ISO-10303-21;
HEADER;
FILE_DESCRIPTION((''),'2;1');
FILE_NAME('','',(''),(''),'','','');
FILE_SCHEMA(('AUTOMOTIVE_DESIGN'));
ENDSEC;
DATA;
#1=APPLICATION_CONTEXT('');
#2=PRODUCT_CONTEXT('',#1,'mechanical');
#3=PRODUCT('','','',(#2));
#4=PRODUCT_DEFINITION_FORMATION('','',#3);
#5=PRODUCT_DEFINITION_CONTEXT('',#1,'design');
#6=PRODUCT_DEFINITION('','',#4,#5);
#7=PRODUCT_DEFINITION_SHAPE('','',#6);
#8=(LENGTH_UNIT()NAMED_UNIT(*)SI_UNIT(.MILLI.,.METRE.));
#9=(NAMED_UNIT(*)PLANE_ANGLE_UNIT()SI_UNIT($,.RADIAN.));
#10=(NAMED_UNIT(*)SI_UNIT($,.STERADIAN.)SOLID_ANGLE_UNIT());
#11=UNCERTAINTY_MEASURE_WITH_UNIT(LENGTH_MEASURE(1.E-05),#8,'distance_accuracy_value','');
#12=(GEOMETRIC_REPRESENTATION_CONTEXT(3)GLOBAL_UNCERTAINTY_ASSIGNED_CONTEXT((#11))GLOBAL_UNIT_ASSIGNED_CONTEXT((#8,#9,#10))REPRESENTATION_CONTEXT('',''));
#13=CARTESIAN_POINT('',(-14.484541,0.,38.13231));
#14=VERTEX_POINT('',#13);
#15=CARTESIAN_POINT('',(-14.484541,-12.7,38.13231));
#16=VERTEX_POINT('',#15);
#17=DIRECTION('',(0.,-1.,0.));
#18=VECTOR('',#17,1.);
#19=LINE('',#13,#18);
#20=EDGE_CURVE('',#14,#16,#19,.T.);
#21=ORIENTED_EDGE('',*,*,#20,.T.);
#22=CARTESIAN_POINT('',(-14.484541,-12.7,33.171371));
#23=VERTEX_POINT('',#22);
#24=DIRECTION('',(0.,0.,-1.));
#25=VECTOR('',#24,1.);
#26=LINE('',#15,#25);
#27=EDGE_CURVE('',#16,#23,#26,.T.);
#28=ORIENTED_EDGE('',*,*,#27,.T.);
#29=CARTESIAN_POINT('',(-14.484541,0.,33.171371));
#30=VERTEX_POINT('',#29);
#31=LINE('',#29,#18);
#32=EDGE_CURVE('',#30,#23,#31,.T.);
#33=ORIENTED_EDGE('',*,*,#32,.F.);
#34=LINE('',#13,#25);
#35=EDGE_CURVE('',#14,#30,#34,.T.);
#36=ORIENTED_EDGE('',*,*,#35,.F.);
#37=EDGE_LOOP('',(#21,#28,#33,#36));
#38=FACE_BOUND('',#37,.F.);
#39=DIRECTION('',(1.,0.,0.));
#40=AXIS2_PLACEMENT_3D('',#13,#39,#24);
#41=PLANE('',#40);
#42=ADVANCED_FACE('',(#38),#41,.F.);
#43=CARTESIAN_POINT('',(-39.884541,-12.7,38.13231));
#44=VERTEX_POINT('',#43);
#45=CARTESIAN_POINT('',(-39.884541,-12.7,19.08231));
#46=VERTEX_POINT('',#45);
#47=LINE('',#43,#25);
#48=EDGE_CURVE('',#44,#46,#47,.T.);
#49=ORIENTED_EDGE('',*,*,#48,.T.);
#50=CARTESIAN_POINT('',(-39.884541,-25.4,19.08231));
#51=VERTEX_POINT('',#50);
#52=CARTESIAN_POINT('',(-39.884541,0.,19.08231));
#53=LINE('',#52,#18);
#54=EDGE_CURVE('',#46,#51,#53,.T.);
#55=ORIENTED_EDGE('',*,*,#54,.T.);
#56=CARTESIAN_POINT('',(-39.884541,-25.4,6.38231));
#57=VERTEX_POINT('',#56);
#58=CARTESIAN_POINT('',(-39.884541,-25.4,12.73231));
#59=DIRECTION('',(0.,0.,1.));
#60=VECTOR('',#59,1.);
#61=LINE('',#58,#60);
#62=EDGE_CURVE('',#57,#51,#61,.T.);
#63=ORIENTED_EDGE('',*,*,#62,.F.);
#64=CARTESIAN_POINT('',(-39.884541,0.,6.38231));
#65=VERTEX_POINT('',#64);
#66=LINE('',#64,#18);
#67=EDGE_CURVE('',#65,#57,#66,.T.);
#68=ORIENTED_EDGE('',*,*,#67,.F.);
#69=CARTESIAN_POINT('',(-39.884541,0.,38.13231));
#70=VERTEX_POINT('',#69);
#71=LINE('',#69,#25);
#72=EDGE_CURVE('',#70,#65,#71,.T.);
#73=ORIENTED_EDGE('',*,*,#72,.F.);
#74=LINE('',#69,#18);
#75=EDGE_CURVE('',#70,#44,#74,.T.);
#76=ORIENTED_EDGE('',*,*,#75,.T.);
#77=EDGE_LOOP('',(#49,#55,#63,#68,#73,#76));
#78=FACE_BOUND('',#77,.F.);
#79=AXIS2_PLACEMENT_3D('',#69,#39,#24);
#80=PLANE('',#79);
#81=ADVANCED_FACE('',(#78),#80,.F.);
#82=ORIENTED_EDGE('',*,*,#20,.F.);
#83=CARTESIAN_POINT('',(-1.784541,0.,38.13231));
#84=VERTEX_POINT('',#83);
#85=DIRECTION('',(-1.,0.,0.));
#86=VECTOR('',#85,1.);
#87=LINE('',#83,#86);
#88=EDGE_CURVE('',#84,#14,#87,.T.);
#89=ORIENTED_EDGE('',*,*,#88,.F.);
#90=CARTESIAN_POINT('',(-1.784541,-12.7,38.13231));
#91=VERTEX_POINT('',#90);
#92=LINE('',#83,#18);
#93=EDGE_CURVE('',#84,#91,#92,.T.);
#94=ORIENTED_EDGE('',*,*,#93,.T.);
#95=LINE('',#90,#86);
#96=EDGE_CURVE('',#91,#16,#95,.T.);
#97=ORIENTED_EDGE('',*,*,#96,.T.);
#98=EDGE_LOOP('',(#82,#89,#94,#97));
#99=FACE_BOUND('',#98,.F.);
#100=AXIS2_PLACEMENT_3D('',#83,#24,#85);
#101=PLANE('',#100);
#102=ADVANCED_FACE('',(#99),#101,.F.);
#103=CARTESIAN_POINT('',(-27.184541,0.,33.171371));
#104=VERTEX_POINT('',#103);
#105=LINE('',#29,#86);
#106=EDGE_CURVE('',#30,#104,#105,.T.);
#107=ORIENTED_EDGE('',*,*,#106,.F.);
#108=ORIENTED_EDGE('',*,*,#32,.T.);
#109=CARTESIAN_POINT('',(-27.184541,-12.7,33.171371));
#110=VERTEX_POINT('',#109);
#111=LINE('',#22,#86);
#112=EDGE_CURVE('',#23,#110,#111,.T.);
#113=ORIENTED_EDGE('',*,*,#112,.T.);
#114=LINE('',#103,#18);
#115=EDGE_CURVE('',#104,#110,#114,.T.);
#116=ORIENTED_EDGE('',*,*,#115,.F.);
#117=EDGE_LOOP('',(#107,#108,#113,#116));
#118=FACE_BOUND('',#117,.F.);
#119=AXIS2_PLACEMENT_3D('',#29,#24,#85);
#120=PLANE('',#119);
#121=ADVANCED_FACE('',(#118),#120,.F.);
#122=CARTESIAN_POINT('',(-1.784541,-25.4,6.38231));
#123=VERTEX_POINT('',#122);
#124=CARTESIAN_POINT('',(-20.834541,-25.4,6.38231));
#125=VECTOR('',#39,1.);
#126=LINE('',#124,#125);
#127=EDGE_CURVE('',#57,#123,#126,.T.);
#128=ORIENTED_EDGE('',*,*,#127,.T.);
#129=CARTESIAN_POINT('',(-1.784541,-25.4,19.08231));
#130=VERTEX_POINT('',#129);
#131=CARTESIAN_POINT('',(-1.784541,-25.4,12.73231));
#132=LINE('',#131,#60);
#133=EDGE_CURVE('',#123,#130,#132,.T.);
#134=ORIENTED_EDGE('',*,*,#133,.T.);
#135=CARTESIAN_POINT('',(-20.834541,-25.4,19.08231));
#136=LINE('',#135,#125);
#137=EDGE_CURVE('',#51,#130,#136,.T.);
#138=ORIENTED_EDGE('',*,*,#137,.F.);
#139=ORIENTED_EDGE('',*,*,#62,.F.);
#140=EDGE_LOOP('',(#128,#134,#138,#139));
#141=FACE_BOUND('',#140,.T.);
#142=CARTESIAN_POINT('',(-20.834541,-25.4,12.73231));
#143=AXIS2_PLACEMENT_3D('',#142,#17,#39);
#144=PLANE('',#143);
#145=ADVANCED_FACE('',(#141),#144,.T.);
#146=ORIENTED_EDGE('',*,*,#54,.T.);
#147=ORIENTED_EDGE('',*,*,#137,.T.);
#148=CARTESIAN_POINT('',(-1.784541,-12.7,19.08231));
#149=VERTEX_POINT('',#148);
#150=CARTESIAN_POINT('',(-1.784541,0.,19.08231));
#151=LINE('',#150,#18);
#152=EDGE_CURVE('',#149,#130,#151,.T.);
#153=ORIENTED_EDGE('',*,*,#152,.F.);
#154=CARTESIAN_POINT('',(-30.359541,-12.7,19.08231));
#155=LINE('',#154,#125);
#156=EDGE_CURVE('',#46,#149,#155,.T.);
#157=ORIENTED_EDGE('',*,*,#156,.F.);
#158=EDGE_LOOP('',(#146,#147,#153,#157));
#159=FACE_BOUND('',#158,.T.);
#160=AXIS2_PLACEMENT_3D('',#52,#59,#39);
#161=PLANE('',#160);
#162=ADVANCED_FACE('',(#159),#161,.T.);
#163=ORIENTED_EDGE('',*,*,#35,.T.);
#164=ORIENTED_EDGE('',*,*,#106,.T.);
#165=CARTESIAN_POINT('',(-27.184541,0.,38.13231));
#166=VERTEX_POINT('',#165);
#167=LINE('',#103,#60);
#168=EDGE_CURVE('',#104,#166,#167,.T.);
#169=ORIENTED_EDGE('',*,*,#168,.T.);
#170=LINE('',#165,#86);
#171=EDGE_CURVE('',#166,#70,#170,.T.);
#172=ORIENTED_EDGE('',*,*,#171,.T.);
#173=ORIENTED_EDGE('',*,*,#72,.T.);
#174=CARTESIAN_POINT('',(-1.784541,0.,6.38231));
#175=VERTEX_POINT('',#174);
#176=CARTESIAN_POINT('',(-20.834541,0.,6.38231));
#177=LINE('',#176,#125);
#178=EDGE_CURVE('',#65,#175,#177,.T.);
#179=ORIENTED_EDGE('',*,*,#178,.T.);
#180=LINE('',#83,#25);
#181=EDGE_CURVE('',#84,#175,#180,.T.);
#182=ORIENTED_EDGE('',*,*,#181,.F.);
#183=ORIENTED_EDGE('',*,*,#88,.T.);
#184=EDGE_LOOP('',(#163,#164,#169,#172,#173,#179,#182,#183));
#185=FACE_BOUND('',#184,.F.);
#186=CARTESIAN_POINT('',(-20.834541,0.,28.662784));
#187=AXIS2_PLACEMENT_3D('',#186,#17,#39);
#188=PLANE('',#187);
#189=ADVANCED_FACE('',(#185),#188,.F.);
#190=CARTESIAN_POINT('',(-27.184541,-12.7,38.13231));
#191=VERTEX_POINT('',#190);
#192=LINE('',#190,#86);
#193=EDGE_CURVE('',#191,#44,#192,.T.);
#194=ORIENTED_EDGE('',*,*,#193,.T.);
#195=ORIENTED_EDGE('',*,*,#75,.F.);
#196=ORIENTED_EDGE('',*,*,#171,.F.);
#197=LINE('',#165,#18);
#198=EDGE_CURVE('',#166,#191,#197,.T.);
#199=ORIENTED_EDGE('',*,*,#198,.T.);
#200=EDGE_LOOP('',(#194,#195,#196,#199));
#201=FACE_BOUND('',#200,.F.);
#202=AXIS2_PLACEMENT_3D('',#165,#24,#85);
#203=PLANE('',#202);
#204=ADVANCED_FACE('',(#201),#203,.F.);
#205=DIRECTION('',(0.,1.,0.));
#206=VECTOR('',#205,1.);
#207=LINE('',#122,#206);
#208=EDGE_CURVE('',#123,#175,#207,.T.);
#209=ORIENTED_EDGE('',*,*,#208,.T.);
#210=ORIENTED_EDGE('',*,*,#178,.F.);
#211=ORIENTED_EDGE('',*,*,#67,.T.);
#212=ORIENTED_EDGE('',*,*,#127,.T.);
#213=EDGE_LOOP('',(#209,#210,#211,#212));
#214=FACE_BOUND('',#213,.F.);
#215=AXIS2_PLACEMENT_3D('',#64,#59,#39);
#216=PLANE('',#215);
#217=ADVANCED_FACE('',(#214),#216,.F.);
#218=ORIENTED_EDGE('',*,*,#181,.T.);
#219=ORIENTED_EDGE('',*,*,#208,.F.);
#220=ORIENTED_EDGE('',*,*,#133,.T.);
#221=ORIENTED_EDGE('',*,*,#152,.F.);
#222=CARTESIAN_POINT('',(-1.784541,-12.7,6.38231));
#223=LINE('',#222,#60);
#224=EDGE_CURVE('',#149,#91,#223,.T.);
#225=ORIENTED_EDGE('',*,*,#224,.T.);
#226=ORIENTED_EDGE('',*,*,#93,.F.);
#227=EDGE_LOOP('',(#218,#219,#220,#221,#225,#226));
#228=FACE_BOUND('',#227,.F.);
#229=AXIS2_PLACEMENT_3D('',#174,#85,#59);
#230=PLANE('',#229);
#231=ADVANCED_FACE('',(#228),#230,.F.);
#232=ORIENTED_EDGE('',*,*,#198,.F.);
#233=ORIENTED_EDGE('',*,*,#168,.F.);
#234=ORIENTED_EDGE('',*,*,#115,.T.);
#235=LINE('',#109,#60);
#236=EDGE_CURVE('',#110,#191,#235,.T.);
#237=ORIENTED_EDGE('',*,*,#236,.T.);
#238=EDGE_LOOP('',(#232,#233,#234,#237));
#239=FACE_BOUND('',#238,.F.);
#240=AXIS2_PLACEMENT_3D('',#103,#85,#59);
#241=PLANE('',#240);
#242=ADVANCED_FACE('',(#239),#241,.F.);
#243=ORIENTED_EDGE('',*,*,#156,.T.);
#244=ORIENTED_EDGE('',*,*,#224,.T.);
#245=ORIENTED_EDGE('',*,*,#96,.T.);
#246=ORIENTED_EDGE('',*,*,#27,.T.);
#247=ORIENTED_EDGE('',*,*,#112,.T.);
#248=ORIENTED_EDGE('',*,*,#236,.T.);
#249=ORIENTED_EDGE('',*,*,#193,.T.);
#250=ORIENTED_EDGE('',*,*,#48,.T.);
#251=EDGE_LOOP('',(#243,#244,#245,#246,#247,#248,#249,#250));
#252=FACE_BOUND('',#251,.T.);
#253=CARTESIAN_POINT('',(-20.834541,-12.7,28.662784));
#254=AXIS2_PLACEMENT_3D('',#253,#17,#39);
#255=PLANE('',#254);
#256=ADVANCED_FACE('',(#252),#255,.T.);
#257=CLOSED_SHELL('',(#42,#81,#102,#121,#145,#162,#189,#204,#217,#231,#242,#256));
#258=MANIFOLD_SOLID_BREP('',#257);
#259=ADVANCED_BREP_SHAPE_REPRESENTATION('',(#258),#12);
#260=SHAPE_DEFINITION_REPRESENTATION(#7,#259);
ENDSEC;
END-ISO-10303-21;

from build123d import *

# Parameters (mm, degrees)
F0_W     = 38.1
F0_H     = 12.7
F1_DEPTH = 25.4
F2_DEPTH = 12.7


with BuildPart() as f1:
    # F0 (on Front) → F1 (new body)
    with BuildSketch(Plane.XZ):
        with Locations((-20.834541, 12.73231)):
            Rectangle(F0_W, F0_H)
    extrude(amount=F1_DEPTH)

    # F0 (on Front) → F2 (join)
    with BuildSketch(Plane.XZ):
        Polygon((-27.184541, 38.13231), (-39.884541, 38.13231), (-39.884541, 19.08231), (-1.784541, 19.08231), (-1.784541, 38.13231), (-14.484541, 38.13231), (-14.484541, 33.171371), (-27.184541, 33.171371), align=None)
        with Locations((-20.834541, 12.73231)):
            Rectangle(F0_W, F0_H)
    extrude(amount=F2_DEPTH)


solid = f1.part
